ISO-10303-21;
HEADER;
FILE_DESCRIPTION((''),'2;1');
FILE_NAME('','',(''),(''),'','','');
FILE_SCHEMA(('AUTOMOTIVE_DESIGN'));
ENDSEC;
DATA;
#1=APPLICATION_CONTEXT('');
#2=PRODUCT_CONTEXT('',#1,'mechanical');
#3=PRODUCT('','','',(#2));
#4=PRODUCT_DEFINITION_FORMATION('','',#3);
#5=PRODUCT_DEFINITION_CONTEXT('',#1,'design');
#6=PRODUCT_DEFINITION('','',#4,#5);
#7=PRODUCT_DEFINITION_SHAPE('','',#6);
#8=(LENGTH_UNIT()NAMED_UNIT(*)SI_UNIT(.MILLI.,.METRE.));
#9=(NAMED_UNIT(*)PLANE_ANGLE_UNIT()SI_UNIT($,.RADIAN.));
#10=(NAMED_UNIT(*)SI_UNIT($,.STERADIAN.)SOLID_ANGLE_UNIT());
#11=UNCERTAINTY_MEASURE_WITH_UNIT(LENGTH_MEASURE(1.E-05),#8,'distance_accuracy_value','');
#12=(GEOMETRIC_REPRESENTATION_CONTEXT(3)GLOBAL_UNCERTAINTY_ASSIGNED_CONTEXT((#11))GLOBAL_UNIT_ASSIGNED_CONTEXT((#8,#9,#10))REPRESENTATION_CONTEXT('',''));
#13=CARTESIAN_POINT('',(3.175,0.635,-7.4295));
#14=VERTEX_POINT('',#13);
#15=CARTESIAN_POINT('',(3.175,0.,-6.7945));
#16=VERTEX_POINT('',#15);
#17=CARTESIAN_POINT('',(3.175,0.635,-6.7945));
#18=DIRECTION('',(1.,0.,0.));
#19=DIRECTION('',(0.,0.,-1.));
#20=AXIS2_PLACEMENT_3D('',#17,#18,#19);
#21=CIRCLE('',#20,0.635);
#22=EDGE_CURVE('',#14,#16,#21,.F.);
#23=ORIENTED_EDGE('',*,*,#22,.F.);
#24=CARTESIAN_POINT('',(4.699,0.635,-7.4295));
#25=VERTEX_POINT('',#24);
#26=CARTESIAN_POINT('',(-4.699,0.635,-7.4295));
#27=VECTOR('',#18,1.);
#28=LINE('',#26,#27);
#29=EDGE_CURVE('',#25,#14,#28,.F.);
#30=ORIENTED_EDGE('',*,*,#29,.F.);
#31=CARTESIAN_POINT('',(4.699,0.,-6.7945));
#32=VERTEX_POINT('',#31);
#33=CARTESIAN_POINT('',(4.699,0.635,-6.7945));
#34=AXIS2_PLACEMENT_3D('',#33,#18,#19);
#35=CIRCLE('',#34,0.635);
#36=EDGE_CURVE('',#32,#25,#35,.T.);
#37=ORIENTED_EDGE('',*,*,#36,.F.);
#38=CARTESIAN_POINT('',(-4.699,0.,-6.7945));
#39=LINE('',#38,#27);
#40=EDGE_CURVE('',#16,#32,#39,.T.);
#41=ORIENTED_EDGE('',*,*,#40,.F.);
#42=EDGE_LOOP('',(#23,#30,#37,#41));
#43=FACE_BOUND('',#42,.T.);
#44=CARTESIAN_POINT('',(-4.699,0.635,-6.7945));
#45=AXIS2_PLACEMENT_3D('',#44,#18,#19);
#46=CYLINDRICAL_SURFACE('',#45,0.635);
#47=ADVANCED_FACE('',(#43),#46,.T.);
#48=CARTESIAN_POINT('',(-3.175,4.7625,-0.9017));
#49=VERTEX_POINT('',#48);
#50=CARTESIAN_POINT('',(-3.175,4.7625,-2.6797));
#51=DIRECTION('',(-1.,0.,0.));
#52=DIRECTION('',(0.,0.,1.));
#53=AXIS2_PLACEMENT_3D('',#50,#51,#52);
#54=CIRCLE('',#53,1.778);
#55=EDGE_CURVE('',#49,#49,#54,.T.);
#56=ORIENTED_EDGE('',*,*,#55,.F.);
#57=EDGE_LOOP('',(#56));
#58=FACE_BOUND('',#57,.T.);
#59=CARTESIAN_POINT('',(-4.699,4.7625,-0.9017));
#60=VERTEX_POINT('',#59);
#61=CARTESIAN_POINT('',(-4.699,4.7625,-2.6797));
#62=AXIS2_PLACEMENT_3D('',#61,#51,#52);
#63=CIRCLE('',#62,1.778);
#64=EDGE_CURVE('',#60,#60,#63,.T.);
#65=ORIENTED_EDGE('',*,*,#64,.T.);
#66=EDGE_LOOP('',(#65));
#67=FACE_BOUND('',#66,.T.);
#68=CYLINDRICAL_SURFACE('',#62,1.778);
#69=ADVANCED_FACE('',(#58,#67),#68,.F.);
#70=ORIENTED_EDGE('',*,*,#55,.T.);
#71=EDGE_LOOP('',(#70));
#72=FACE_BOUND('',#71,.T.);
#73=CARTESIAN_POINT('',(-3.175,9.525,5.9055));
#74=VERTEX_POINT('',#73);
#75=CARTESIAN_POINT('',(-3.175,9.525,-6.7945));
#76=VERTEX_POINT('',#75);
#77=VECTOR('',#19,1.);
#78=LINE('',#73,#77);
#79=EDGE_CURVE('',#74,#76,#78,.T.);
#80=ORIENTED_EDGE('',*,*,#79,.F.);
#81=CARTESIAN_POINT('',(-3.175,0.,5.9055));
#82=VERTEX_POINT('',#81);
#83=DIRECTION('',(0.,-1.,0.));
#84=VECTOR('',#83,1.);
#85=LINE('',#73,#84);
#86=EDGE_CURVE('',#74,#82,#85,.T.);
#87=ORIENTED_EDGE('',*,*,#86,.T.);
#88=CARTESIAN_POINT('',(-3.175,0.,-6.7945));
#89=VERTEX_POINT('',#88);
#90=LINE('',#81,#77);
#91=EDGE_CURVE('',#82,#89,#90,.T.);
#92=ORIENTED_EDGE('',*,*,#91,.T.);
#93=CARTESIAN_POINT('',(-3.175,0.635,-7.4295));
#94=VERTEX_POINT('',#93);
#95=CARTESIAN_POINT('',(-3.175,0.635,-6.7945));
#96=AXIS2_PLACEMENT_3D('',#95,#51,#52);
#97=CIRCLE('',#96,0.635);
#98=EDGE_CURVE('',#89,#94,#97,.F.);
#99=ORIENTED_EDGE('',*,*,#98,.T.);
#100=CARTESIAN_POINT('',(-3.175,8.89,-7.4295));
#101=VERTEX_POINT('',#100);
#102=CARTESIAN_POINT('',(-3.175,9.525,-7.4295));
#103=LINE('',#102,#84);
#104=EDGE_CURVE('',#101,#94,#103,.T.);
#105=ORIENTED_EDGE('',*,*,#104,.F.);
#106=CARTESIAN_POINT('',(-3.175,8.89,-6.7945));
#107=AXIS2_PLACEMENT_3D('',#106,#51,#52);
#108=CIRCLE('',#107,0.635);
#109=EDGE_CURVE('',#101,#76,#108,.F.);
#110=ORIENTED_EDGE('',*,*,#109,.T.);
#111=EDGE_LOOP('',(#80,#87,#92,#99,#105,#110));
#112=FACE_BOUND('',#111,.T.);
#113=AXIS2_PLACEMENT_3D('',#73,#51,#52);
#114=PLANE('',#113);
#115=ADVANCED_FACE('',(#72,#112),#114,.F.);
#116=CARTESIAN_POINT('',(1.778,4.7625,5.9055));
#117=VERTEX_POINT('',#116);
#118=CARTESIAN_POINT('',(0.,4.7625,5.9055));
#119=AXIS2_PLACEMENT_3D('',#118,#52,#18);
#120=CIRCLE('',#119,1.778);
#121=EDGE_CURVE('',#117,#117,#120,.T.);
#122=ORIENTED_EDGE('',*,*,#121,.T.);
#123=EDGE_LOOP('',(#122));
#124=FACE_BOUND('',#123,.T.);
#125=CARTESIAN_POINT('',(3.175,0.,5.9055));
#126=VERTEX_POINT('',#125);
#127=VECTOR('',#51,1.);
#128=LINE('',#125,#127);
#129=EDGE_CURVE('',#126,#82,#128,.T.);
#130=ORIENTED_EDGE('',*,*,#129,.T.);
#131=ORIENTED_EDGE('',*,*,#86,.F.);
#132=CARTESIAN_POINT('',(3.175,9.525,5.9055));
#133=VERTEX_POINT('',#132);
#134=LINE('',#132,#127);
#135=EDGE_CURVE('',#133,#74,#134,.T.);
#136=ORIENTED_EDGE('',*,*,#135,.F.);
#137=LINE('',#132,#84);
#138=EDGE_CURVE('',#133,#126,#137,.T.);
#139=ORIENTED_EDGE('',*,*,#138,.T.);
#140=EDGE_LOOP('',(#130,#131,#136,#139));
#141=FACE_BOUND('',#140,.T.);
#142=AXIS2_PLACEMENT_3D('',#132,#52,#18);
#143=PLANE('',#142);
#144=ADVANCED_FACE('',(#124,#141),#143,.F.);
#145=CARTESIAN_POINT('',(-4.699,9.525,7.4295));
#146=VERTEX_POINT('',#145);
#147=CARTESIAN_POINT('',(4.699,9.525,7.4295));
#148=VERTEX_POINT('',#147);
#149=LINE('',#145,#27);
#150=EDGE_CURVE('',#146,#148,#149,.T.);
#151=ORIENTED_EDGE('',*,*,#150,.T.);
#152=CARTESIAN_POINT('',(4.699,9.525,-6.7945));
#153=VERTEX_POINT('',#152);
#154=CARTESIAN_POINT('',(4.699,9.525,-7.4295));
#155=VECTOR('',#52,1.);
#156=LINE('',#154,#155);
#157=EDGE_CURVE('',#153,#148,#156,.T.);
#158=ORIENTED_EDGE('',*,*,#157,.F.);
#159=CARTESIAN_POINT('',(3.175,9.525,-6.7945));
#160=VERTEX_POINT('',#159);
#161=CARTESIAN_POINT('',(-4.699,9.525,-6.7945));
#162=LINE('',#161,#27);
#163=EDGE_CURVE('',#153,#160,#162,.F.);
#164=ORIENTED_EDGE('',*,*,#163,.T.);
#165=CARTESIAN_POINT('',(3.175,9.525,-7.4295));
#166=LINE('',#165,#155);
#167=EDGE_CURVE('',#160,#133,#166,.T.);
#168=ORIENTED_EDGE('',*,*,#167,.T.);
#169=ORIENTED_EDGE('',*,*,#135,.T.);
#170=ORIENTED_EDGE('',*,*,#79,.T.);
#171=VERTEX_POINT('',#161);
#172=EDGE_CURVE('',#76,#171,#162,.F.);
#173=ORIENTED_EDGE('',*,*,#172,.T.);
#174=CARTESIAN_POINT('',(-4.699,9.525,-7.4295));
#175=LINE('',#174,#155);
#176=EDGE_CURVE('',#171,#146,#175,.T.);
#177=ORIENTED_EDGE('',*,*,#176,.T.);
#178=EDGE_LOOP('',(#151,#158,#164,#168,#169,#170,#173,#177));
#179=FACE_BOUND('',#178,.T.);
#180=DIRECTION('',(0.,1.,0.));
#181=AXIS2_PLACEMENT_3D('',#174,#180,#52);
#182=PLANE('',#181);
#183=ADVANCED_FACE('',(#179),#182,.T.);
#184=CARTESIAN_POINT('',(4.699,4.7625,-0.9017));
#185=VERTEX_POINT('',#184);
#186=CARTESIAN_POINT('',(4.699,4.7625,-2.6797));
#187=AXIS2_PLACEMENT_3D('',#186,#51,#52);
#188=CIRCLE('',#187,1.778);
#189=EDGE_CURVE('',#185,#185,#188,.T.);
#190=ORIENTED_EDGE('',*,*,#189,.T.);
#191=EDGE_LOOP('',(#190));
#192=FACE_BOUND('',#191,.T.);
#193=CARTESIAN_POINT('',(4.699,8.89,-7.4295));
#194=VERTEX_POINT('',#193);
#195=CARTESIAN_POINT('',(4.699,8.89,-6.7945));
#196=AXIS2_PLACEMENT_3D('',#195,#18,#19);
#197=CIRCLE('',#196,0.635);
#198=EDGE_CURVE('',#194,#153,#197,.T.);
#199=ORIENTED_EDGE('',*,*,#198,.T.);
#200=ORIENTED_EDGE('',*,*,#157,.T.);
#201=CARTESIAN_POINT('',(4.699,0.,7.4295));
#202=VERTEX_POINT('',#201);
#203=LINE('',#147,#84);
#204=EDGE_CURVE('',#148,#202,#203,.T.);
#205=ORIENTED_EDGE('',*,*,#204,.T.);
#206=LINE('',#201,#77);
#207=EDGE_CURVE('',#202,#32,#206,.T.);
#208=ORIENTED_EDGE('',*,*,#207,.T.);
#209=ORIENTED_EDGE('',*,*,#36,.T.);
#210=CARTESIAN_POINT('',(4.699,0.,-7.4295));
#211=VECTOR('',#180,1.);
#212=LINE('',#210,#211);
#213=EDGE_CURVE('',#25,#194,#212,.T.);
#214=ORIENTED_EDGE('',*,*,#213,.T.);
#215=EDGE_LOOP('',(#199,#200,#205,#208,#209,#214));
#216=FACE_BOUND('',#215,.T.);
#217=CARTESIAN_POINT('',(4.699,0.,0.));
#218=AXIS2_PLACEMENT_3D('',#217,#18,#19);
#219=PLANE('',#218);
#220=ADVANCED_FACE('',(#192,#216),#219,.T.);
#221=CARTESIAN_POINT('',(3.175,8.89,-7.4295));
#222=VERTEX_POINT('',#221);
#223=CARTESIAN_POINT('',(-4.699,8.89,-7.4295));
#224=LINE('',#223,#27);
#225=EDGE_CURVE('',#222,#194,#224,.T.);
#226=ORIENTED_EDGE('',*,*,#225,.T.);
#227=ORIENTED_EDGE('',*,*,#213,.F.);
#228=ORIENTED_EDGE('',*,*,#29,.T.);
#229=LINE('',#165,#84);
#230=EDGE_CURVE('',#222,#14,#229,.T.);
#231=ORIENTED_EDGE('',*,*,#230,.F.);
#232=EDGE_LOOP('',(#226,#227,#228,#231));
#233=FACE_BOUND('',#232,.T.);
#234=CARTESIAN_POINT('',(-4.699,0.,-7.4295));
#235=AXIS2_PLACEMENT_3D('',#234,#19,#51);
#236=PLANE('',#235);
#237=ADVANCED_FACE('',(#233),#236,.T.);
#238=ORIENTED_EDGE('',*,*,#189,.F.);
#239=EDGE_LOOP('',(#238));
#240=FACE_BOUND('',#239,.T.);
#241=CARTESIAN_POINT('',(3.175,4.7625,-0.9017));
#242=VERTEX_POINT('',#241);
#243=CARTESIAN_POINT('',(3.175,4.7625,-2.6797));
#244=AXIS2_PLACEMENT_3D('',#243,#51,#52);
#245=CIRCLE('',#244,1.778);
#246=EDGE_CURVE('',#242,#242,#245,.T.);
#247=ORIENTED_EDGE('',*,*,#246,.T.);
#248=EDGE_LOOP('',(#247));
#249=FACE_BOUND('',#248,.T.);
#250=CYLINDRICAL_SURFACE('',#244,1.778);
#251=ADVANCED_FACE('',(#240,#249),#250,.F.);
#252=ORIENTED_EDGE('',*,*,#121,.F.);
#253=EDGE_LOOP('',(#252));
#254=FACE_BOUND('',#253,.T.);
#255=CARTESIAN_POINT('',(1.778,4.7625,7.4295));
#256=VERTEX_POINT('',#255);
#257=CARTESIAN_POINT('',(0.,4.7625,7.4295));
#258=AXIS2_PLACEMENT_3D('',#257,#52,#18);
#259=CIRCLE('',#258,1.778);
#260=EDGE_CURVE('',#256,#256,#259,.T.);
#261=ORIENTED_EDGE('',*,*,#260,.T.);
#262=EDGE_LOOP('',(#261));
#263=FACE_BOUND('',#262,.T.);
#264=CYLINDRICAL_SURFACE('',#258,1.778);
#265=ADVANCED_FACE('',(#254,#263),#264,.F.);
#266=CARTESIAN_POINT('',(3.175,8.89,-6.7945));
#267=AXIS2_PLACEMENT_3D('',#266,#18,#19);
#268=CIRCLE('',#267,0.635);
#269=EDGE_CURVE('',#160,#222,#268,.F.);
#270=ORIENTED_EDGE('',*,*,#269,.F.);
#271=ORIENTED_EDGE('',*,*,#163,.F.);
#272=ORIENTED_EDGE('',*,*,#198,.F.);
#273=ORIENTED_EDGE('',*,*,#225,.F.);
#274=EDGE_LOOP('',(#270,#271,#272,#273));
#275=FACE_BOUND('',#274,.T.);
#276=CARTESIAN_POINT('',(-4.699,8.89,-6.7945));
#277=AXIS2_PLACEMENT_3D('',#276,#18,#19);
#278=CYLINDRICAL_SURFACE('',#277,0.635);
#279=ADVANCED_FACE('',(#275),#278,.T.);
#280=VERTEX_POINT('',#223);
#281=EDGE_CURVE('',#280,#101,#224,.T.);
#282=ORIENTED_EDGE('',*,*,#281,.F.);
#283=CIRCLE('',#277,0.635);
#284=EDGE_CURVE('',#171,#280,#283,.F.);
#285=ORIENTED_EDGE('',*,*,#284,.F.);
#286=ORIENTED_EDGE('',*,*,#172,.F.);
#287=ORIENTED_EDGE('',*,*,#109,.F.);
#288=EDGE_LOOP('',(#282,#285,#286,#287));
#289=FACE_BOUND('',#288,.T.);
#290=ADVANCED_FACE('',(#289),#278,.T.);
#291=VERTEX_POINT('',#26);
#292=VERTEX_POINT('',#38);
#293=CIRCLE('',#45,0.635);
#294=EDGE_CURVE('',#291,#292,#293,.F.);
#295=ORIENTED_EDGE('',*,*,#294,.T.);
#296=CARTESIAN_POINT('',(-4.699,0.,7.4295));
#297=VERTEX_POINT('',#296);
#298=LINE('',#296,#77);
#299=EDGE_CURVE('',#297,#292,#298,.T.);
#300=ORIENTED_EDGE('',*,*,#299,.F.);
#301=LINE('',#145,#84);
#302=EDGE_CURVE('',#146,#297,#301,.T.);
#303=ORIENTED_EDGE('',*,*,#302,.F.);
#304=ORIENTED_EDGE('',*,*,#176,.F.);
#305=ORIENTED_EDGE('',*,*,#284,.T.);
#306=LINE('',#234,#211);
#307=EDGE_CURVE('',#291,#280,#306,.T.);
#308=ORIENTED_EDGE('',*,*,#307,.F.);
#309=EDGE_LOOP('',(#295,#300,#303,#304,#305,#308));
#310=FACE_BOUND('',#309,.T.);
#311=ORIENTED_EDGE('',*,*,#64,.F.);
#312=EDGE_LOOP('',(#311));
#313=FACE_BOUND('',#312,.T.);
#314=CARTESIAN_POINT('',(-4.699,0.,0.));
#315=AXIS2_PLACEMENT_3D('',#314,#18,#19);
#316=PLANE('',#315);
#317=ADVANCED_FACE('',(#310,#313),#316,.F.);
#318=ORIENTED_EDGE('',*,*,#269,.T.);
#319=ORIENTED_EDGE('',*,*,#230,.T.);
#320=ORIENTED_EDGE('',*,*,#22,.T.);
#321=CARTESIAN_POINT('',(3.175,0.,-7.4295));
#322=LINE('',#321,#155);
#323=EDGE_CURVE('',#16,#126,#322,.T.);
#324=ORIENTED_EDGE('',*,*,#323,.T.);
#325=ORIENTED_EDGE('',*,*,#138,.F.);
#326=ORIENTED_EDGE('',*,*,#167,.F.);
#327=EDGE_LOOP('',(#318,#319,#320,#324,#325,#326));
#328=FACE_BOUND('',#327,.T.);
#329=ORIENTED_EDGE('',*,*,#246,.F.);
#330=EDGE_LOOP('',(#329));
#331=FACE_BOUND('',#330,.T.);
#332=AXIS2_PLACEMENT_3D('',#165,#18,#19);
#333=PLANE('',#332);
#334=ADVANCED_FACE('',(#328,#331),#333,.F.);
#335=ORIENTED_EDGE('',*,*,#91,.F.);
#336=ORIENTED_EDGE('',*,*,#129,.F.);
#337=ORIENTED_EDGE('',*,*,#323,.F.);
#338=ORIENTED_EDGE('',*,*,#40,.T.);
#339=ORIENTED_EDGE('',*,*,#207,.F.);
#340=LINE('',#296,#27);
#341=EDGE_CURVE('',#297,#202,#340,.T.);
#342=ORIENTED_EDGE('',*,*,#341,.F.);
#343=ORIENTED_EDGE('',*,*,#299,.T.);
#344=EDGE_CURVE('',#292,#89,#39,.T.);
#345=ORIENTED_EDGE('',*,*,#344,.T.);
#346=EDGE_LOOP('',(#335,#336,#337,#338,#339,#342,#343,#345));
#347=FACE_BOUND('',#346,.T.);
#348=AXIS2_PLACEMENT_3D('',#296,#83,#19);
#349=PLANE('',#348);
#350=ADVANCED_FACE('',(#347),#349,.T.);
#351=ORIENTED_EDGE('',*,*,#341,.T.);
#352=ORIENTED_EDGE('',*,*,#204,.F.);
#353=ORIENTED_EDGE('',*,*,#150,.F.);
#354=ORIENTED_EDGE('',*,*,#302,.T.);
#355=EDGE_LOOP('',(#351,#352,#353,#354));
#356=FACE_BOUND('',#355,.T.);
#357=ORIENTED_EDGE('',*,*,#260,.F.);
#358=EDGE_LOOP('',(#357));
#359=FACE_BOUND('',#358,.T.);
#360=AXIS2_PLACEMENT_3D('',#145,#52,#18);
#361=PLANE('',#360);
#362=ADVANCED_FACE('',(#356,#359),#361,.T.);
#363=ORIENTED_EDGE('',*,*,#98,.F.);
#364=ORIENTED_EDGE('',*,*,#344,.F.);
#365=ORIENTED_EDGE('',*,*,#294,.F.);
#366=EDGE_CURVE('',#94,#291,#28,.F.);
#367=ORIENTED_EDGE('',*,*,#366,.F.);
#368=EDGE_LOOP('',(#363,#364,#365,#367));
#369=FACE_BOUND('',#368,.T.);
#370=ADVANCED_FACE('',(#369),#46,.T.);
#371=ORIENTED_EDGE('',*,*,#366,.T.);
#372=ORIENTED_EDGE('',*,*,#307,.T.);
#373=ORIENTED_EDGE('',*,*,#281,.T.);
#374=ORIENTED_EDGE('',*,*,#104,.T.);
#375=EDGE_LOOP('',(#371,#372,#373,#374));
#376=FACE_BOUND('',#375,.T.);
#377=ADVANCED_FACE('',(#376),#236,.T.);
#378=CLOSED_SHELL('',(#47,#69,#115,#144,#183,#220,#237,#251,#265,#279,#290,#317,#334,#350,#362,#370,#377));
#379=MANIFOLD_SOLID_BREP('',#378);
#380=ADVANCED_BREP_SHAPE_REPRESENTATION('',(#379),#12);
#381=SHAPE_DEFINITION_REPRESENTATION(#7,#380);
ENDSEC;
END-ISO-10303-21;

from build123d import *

# Parameters (mm, degrees)
SKETCH1_W                 = 14.859
SKETCH1_H                 = 9.525
BOSS_EXTRUDE1_DEPTH       = 9.398
SKETCH2_W                 = 6.35
SKETCH2_H                 = 13.335
CUT_EXTRUDE1_DEPTH        = 13.961623982
F_5_CLEARANCE_HOLE1_D     = 3.556
F_5_CLEARANCE_HOLE1_DEPTH = 1.524
F_5_CLEARANCE_HOLE2_D     = 3.556
F_5_CLEARANCE_HOLE2_DEPTH = 14.859
F_5_CLEARANCE_HOLE3_D     = 3.556
FILLET1_R                 = 0.635


with BuildPart() as part:
    # Sketch1 → Boss-Extrude1 (new body)
    with BuildSketch(Plane(origin=(4.699, 0, 0), x_dir=(0, 0, -1), z_dir=(1, 0, 0))):
        with Locations((0, 4.7625)):
            Rectangle(SKETCH1_W, SKETCH1_H)
    extrude(amount=-BOSS_EXTRUDE1_DEPTH)

    # Sketch2 → Cut-Extrude1 (cut, through all)
    with BuildSketch(Plane.XZ):
        with Locations((0, -0.762)):
            Rectangle(SKETCH2_W, SKETCH2_H)
    extrude(amount=-CUT_EXTRUDE1_DEPTH, mode=Mode.SUBTRACT)

    # #5 Clearance Hole1
    with Locations(Plane.ZY.offset(4.699)):
        with Locations((-2.6797, 4.7625)):
            Hole(F_5_CLEARANCE_HOLE1_D / 2, depth=F_5_CLEARANCE_HOLE1_DEPTH)

    # #5 Clearance Hole2
    with Locations(Plane.XY.offset(7.4295)):
        with Locations((0, 4.7625)):
            Hole(F_5_CLEARANCE_HOLE2_D / 2, depth=F_5_CLEARANCE_HOLE2_DEPTH)

    # #5 Clearance Hole3 (through all)
    with Locations(Plane.ZY.offset(-3.175)):
        with Locations((-2.6797, 4.7625)):
            Hole(F_5_CLEARANCE_HOLE3_D / 2)

    # Fillet1
    fillet1_edges = [part.edges().sort_by_distance(p)[0] for p in [
        (3.937, 0, -7.4295),
        (3.937, 9.525, -7.4295),
        (-3.937, 9.525, -7.4295),
        (-3.937, 0, -7.4295),
    ]]
    fillet(fillet1_edges, radius=FILLET1_R)


solid = part.part
